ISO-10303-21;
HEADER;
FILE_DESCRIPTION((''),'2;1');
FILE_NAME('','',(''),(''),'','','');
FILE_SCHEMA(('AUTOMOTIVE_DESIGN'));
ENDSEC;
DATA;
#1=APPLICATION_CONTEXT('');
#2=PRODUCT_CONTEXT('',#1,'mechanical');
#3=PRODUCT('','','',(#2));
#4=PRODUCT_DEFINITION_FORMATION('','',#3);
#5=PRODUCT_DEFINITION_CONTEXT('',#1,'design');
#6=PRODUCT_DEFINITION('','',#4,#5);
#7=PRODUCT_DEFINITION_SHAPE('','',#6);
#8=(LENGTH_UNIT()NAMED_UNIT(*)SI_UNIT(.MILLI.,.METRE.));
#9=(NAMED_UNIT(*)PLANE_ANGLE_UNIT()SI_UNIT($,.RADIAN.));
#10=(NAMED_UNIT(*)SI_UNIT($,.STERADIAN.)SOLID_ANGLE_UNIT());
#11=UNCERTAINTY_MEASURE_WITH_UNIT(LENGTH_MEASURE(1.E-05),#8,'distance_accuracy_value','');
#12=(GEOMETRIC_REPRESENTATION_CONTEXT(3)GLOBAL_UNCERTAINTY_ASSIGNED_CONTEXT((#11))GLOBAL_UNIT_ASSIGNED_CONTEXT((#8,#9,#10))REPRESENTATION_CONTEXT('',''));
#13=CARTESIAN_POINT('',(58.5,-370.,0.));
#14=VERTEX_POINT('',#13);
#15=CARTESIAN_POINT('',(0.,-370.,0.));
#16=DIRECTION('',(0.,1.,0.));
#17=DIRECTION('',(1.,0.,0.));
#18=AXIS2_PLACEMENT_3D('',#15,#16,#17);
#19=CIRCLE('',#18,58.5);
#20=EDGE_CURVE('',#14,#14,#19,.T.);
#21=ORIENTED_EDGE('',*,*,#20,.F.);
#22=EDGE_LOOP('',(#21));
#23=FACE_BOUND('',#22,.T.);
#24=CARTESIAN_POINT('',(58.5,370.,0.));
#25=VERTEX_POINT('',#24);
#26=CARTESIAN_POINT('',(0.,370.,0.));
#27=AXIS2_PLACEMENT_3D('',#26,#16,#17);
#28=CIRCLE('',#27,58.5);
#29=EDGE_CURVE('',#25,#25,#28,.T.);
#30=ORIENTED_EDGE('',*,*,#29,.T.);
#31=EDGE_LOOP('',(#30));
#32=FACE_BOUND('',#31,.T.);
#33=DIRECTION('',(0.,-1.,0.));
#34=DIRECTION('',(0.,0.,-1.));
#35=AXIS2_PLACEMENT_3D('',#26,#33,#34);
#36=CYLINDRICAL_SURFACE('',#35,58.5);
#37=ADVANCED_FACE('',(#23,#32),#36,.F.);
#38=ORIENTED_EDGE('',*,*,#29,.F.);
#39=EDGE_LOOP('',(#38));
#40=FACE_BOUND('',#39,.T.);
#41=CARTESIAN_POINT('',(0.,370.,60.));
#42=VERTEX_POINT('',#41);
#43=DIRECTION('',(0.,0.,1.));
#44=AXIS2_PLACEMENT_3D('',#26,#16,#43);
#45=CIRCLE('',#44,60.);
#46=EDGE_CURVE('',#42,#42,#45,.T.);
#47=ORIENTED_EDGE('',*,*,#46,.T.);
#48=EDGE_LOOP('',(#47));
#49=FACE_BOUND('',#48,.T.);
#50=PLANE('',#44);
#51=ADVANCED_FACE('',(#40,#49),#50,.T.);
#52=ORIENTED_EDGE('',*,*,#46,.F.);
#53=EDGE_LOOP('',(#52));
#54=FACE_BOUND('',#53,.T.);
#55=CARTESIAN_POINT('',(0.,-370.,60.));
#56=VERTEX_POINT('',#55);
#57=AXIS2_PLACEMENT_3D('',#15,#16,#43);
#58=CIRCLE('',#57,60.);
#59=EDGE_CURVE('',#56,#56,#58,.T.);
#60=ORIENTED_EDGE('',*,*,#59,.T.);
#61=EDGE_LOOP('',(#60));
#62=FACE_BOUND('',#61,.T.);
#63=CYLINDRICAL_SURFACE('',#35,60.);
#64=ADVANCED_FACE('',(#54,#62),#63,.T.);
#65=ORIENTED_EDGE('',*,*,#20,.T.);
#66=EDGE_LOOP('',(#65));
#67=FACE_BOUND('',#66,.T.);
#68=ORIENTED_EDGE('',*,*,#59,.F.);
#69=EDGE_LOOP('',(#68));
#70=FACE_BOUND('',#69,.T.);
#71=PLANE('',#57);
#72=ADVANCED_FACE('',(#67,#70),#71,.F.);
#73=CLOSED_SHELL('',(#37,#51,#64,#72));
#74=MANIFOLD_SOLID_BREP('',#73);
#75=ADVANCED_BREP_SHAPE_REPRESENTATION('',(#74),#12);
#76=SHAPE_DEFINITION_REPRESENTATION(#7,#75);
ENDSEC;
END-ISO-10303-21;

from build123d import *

# Parameters (mm, degrees)
SCHIZZO1_R                = 60
SCHIZZO1_R_2              = 58.5
ESTRUSIONE_SOTTILE1_DEPTH = 370


with BuildPart() as part:
    # Schizzo1 → Estrusione-Sottile1 (new, symmetric)
    with BuildSketch(Plane(origin=(0, 0, 0), x_dir=(1, 0, 0), z_dir=(0, 1, 0))):
        Circle(SCHIZZO1_R)
        Circle(SCHIZZO1_R_2, mode=Mode.SUBTRACT)
    extrude(amount=ESTRUSIONE_SOTTILE1_DEPTH, both=True)


solid = part.part
